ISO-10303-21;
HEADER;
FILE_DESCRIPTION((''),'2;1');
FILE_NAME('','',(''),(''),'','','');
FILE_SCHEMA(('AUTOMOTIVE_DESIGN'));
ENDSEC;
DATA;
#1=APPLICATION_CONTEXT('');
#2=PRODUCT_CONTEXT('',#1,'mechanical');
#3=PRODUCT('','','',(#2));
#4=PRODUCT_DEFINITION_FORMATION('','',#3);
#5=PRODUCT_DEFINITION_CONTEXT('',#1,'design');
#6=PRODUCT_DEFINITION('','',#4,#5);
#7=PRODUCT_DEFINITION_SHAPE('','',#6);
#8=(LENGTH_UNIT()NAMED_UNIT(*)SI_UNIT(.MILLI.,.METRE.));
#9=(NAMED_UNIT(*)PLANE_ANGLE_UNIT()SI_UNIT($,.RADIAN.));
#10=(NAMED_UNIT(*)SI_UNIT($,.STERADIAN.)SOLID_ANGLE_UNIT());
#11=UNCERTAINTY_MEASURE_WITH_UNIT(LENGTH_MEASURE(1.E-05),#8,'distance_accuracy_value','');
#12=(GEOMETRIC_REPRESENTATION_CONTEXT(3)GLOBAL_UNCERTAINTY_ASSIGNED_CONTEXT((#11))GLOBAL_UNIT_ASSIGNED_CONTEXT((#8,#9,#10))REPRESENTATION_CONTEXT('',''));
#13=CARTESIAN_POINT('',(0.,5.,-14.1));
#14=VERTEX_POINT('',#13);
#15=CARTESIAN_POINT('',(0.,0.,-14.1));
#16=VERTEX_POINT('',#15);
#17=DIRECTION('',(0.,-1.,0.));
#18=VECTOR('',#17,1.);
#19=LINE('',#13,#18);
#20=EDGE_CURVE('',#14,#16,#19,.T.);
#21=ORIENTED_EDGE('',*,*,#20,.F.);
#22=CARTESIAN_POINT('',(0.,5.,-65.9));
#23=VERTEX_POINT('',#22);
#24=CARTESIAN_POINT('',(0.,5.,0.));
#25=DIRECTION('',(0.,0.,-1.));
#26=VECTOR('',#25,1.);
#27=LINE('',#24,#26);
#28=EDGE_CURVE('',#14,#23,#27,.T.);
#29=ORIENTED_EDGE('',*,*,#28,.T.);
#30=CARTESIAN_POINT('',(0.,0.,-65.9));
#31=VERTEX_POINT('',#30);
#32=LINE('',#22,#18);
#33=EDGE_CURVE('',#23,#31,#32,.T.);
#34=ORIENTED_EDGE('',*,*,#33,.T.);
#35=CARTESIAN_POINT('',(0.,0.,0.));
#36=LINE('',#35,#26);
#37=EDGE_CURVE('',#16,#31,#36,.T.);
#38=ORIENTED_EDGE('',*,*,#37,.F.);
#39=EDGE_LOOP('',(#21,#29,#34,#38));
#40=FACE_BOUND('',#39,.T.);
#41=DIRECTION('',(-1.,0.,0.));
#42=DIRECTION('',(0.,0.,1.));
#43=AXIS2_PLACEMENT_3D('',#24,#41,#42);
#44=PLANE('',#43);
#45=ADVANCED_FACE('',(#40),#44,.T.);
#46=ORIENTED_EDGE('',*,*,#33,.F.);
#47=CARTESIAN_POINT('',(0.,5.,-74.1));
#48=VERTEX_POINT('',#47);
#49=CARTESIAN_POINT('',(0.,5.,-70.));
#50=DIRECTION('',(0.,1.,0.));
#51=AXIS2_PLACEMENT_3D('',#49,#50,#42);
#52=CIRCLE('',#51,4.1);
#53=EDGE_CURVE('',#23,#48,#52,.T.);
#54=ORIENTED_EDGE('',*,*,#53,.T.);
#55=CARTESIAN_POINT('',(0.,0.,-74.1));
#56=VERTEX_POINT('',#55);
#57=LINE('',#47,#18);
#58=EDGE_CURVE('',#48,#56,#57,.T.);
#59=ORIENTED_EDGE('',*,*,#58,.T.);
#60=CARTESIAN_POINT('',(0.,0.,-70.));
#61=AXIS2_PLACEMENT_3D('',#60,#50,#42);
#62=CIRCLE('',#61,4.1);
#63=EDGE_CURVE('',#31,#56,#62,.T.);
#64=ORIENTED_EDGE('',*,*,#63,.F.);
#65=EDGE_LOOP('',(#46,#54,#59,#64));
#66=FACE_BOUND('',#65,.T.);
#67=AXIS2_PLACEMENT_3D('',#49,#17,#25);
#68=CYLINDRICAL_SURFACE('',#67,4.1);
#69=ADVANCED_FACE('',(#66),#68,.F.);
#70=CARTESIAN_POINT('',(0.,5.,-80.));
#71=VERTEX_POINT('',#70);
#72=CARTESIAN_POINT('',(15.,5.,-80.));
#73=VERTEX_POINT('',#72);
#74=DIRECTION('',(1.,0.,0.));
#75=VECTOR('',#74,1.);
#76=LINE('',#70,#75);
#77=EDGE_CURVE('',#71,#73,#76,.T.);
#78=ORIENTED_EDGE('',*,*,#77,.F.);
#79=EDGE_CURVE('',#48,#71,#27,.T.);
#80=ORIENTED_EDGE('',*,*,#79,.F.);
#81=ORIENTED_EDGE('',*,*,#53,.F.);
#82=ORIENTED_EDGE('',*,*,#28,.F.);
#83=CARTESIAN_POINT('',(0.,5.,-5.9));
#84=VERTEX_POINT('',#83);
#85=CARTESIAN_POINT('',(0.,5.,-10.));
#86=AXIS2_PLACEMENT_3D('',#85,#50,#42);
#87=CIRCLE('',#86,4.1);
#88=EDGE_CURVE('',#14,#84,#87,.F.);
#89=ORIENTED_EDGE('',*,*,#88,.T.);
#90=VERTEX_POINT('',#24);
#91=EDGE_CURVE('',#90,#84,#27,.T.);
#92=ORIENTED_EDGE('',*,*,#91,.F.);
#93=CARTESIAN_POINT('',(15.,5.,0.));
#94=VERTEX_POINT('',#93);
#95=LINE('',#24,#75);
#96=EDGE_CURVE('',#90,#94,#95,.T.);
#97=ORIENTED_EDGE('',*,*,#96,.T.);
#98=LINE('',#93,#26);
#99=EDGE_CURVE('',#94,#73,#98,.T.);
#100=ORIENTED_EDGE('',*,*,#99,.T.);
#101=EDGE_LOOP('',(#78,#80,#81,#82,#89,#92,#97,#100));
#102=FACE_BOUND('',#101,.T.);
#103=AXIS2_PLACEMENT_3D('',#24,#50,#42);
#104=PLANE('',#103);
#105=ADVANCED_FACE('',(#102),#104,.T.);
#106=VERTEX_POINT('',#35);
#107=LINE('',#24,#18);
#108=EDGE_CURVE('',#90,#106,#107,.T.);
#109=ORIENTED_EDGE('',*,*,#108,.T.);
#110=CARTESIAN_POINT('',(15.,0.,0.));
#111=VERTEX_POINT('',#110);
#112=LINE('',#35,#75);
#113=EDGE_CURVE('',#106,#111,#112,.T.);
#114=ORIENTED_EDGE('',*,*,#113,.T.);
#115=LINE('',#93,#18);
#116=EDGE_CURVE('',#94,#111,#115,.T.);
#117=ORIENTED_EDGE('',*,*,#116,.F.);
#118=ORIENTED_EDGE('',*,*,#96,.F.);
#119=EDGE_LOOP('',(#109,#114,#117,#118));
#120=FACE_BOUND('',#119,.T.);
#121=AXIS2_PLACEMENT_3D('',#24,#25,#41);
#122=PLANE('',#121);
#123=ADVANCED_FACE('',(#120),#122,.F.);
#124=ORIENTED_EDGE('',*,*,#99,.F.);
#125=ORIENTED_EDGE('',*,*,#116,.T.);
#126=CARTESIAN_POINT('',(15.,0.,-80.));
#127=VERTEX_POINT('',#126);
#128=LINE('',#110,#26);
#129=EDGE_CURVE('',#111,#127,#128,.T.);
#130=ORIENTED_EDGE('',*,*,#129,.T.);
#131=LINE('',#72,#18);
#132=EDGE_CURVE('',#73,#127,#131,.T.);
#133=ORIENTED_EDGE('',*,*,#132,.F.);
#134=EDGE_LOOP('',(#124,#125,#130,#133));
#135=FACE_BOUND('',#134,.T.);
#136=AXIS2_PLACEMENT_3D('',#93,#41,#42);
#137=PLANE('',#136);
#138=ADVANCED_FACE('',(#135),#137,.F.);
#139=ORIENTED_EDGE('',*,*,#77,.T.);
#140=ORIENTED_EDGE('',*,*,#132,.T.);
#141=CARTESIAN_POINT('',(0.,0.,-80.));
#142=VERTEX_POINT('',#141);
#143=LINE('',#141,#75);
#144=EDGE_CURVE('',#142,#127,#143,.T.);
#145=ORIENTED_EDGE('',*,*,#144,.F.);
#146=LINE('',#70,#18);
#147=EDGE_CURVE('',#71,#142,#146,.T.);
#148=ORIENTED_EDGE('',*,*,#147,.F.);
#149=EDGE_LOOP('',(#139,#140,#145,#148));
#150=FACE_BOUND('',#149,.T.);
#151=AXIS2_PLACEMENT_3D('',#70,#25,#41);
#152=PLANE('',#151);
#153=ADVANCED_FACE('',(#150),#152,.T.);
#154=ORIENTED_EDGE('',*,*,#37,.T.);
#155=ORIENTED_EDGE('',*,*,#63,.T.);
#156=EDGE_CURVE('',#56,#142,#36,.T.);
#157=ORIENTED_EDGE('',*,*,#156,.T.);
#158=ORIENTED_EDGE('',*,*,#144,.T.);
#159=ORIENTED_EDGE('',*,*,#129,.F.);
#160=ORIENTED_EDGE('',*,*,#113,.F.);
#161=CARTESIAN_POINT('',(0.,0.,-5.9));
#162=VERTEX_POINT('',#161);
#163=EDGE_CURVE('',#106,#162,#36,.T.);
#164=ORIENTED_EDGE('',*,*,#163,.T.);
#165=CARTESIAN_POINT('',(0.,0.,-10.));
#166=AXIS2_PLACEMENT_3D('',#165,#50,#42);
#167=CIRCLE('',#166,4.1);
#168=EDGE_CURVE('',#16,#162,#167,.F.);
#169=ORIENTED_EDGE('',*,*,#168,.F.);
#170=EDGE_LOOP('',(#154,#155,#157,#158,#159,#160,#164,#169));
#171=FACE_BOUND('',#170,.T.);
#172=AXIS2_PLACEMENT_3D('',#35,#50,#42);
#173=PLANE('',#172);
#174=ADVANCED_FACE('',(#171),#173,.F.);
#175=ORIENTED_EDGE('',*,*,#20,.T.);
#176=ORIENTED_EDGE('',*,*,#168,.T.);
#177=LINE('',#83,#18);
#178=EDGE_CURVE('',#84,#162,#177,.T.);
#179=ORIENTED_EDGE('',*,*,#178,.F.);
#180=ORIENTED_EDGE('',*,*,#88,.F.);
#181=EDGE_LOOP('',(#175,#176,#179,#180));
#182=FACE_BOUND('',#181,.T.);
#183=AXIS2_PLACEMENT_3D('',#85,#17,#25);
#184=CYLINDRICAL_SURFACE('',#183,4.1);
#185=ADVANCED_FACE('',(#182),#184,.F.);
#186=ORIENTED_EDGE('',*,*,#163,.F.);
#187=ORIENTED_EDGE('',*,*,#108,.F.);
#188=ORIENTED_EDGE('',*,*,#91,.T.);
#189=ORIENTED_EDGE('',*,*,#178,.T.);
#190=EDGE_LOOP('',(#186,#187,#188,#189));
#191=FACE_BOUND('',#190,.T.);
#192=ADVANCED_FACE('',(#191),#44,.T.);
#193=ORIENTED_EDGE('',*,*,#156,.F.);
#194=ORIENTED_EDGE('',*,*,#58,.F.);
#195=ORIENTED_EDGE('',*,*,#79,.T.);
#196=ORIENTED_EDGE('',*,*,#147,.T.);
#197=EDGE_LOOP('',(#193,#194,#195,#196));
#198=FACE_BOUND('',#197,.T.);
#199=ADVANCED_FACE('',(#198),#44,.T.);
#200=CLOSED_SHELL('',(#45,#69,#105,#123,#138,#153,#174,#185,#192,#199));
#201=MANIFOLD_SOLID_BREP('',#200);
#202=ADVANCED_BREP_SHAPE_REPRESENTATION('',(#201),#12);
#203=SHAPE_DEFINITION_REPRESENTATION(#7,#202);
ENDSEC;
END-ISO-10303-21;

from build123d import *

# Parameters (mm, degrees)
BOSS_EXTRUDE1_DEPTH = 5


with BuildPart() as part:
    # Sketch1 → Boss-Extrude1 (new body)
    with BuildSketch(Plane(origin=(0, 0, 0), x_dir=(1, 0, 0), z_dir=(0, 1, 0))):
        with BuildLine():
            Line((15, 40), (0, 40))
            Line((0, 40), (0, 14.1))
            ThreePointArc((0, 14.1), (2.899137803, 12.899137803), (4.1, 10))
            ThreePointArc((4.1, 10), (2.899137803, 7.100862197), (0, 5.9))
            Line((0, 5.9), (0, 0))
            Line((0, 0), (15, 0))
            Line((15, 0), (15, 40))
        make_face()
        with BuildLine():
            Line((0, 65.9), (0, 40))
            Line((0, 40), (15, 40))
            Line((15, 40), (15, 80))
            Line((15, 80), (0, 80))
            Line((0, 80), (0, 74.1))
            ThreePointArc((0, 74.1), (2.899137803, 72.899137803), (4.1, 70))
            ThreePointArc((4.1, 70), (2.899137803, 67.100862197), (0, 65.9))
        make_face()
    extrude(amount=BOSS_EXTRUDE1_DEPTH)


solid = part.part
